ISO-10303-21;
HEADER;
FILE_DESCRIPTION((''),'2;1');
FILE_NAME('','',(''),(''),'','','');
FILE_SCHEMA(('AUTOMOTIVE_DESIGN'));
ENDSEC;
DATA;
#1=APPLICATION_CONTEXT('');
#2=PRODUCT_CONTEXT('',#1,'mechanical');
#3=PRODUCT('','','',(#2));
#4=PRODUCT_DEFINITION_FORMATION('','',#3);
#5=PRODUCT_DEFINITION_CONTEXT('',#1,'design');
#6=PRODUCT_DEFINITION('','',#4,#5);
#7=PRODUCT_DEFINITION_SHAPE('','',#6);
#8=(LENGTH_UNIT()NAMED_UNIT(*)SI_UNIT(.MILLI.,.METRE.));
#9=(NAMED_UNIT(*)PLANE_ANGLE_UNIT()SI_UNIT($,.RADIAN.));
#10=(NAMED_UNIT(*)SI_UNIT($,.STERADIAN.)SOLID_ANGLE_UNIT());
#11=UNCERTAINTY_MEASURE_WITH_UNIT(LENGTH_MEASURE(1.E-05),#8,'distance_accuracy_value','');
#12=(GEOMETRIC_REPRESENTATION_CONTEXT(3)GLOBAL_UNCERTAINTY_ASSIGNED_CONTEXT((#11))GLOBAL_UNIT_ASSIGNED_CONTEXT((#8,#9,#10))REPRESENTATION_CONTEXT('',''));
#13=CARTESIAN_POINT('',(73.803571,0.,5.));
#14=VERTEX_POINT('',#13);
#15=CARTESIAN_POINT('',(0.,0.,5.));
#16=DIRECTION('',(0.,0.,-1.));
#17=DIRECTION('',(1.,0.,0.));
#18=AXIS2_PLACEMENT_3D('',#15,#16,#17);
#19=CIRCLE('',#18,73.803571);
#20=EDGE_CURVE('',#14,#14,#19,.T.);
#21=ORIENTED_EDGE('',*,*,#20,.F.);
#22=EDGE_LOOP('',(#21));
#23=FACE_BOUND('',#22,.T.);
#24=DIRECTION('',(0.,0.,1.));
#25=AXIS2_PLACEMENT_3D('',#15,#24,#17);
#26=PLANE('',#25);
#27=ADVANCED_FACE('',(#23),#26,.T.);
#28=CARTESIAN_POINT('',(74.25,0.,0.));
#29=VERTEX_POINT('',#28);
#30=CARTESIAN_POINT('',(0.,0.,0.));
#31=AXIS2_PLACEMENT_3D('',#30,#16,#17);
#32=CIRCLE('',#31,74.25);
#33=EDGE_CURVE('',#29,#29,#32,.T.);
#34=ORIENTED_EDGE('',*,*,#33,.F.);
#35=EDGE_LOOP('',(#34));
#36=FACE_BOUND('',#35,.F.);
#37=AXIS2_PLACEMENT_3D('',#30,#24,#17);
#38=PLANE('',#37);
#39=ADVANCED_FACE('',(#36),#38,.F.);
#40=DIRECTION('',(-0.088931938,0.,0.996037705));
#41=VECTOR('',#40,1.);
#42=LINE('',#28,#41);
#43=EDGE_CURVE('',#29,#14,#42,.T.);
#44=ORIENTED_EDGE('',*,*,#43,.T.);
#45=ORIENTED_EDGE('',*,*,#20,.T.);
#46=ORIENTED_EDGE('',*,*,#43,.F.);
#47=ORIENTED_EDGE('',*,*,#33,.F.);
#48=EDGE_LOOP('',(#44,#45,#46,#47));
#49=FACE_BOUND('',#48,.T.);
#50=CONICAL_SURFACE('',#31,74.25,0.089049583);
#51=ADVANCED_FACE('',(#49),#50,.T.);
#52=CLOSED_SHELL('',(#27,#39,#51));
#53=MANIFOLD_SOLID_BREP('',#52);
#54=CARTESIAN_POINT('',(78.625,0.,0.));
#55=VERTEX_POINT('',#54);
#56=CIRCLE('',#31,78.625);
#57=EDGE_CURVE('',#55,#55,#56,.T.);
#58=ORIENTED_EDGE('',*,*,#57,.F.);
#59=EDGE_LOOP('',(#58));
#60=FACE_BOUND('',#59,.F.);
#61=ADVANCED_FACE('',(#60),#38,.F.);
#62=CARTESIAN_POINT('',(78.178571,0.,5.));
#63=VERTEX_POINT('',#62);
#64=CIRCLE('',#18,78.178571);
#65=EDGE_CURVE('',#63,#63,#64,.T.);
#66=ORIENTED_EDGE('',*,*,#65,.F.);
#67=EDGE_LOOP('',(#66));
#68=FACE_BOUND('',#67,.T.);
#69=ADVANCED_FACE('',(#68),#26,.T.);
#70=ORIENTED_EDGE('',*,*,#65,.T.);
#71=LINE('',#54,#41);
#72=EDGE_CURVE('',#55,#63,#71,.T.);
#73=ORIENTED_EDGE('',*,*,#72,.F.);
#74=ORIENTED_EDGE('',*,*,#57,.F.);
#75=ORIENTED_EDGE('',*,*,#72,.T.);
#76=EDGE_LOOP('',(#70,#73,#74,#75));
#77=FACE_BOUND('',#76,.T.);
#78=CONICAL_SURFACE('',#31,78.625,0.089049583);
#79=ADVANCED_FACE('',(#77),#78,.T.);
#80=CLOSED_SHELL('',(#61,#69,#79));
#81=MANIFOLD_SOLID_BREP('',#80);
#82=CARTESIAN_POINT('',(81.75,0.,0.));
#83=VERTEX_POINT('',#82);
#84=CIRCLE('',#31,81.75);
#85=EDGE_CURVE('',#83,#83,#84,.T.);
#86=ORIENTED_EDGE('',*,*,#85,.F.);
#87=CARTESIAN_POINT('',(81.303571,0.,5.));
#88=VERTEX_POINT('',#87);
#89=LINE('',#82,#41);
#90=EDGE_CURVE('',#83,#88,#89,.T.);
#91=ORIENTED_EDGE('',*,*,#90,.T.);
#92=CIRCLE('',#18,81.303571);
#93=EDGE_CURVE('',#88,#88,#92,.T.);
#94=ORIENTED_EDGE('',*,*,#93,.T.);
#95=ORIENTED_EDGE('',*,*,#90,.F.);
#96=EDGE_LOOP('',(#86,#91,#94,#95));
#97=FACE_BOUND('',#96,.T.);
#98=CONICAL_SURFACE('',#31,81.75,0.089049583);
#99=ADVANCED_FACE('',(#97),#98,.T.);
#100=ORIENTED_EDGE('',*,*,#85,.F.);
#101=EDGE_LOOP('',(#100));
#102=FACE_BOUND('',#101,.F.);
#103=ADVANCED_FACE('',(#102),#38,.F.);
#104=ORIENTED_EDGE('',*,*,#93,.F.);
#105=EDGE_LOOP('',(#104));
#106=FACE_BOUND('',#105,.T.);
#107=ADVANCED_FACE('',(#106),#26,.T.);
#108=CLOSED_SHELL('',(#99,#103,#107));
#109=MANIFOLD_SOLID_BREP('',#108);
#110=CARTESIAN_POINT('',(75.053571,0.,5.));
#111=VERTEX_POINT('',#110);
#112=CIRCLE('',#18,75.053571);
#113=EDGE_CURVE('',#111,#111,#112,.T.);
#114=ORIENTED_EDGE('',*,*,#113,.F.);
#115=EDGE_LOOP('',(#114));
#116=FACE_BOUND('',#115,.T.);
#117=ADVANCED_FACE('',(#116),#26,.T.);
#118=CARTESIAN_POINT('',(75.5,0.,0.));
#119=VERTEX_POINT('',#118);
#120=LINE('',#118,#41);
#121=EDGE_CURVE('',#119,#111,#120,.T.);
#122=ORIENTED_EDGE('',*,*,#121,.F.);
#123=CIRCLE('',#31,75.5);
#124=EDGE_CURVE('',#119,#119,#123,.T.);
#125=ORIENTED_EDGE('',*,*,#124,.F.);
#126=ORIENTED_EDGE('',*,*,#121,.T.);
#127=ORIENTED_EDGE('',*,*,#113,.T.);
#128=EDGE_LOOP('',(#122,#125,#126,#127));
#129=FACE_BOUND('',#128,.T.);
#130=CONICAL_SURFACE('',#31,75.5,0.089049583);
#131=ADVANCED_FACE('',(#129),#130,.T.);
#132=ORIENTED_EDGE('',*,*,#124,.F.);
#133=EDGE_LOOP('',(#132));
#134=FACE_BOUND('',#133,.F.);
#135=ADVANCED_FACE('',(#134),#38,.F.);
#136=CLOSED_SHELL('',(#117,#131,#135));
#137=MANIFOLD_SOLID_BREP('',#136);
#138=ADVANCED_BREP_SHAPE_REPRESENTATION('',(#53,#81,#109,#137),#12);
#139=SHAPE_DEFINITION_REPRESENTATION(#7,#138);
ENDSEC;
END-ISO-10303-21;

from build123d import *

# Parameters (mm, degrees)
F6_R      = 81.75
F7_DEPTH  = 5
F7_TAPER  = 5.1021652524
F8_R      = 78.625
F9_DEPTH  = 5
F9_TAPER  = 5.1021652524
F10_R     = 75.5
F11_DEPTH = 5
F11_TAPER = 5.1021652524
F12_R     = 74.25
F13_DEPTH = 5
F13_TAPER = 5.1021652524


with BuildPart() as f7:
    # F6 (on Top) → F7 (new body)
    with BuildSketch(Plane.XY):
        Circle(F6_R)
    extrude(amount=F7_DEPTH, taper=F7_TAPER)


with BuildPart() as f9:
    # F8 (on Top) → F9 (new body)
    with BuildSketch(Plane.XY):
        Circle(F8_R)
    extrude(amount=F9_DEPTH, taper=F9_TAPER)


with BuildPart() as f11:
    # F10 (on Top) → F11 (new body)
    with BuildSketch(Plane.XY):
        Circle(F10_R)
    extrude(amount=F11_DEPTH, taper=F11_TAPER)


with BuildPart() as f13:
    # F12 (on Top) → F13 (new body)
    with BuildSketch(Plane.XY):
        Circle(F12_R)
    extrude(amount=F13_DEPTH, taper=F13_TAPER)


solid = Compound([f7.part, f9.part, f11.part, f13.part])
